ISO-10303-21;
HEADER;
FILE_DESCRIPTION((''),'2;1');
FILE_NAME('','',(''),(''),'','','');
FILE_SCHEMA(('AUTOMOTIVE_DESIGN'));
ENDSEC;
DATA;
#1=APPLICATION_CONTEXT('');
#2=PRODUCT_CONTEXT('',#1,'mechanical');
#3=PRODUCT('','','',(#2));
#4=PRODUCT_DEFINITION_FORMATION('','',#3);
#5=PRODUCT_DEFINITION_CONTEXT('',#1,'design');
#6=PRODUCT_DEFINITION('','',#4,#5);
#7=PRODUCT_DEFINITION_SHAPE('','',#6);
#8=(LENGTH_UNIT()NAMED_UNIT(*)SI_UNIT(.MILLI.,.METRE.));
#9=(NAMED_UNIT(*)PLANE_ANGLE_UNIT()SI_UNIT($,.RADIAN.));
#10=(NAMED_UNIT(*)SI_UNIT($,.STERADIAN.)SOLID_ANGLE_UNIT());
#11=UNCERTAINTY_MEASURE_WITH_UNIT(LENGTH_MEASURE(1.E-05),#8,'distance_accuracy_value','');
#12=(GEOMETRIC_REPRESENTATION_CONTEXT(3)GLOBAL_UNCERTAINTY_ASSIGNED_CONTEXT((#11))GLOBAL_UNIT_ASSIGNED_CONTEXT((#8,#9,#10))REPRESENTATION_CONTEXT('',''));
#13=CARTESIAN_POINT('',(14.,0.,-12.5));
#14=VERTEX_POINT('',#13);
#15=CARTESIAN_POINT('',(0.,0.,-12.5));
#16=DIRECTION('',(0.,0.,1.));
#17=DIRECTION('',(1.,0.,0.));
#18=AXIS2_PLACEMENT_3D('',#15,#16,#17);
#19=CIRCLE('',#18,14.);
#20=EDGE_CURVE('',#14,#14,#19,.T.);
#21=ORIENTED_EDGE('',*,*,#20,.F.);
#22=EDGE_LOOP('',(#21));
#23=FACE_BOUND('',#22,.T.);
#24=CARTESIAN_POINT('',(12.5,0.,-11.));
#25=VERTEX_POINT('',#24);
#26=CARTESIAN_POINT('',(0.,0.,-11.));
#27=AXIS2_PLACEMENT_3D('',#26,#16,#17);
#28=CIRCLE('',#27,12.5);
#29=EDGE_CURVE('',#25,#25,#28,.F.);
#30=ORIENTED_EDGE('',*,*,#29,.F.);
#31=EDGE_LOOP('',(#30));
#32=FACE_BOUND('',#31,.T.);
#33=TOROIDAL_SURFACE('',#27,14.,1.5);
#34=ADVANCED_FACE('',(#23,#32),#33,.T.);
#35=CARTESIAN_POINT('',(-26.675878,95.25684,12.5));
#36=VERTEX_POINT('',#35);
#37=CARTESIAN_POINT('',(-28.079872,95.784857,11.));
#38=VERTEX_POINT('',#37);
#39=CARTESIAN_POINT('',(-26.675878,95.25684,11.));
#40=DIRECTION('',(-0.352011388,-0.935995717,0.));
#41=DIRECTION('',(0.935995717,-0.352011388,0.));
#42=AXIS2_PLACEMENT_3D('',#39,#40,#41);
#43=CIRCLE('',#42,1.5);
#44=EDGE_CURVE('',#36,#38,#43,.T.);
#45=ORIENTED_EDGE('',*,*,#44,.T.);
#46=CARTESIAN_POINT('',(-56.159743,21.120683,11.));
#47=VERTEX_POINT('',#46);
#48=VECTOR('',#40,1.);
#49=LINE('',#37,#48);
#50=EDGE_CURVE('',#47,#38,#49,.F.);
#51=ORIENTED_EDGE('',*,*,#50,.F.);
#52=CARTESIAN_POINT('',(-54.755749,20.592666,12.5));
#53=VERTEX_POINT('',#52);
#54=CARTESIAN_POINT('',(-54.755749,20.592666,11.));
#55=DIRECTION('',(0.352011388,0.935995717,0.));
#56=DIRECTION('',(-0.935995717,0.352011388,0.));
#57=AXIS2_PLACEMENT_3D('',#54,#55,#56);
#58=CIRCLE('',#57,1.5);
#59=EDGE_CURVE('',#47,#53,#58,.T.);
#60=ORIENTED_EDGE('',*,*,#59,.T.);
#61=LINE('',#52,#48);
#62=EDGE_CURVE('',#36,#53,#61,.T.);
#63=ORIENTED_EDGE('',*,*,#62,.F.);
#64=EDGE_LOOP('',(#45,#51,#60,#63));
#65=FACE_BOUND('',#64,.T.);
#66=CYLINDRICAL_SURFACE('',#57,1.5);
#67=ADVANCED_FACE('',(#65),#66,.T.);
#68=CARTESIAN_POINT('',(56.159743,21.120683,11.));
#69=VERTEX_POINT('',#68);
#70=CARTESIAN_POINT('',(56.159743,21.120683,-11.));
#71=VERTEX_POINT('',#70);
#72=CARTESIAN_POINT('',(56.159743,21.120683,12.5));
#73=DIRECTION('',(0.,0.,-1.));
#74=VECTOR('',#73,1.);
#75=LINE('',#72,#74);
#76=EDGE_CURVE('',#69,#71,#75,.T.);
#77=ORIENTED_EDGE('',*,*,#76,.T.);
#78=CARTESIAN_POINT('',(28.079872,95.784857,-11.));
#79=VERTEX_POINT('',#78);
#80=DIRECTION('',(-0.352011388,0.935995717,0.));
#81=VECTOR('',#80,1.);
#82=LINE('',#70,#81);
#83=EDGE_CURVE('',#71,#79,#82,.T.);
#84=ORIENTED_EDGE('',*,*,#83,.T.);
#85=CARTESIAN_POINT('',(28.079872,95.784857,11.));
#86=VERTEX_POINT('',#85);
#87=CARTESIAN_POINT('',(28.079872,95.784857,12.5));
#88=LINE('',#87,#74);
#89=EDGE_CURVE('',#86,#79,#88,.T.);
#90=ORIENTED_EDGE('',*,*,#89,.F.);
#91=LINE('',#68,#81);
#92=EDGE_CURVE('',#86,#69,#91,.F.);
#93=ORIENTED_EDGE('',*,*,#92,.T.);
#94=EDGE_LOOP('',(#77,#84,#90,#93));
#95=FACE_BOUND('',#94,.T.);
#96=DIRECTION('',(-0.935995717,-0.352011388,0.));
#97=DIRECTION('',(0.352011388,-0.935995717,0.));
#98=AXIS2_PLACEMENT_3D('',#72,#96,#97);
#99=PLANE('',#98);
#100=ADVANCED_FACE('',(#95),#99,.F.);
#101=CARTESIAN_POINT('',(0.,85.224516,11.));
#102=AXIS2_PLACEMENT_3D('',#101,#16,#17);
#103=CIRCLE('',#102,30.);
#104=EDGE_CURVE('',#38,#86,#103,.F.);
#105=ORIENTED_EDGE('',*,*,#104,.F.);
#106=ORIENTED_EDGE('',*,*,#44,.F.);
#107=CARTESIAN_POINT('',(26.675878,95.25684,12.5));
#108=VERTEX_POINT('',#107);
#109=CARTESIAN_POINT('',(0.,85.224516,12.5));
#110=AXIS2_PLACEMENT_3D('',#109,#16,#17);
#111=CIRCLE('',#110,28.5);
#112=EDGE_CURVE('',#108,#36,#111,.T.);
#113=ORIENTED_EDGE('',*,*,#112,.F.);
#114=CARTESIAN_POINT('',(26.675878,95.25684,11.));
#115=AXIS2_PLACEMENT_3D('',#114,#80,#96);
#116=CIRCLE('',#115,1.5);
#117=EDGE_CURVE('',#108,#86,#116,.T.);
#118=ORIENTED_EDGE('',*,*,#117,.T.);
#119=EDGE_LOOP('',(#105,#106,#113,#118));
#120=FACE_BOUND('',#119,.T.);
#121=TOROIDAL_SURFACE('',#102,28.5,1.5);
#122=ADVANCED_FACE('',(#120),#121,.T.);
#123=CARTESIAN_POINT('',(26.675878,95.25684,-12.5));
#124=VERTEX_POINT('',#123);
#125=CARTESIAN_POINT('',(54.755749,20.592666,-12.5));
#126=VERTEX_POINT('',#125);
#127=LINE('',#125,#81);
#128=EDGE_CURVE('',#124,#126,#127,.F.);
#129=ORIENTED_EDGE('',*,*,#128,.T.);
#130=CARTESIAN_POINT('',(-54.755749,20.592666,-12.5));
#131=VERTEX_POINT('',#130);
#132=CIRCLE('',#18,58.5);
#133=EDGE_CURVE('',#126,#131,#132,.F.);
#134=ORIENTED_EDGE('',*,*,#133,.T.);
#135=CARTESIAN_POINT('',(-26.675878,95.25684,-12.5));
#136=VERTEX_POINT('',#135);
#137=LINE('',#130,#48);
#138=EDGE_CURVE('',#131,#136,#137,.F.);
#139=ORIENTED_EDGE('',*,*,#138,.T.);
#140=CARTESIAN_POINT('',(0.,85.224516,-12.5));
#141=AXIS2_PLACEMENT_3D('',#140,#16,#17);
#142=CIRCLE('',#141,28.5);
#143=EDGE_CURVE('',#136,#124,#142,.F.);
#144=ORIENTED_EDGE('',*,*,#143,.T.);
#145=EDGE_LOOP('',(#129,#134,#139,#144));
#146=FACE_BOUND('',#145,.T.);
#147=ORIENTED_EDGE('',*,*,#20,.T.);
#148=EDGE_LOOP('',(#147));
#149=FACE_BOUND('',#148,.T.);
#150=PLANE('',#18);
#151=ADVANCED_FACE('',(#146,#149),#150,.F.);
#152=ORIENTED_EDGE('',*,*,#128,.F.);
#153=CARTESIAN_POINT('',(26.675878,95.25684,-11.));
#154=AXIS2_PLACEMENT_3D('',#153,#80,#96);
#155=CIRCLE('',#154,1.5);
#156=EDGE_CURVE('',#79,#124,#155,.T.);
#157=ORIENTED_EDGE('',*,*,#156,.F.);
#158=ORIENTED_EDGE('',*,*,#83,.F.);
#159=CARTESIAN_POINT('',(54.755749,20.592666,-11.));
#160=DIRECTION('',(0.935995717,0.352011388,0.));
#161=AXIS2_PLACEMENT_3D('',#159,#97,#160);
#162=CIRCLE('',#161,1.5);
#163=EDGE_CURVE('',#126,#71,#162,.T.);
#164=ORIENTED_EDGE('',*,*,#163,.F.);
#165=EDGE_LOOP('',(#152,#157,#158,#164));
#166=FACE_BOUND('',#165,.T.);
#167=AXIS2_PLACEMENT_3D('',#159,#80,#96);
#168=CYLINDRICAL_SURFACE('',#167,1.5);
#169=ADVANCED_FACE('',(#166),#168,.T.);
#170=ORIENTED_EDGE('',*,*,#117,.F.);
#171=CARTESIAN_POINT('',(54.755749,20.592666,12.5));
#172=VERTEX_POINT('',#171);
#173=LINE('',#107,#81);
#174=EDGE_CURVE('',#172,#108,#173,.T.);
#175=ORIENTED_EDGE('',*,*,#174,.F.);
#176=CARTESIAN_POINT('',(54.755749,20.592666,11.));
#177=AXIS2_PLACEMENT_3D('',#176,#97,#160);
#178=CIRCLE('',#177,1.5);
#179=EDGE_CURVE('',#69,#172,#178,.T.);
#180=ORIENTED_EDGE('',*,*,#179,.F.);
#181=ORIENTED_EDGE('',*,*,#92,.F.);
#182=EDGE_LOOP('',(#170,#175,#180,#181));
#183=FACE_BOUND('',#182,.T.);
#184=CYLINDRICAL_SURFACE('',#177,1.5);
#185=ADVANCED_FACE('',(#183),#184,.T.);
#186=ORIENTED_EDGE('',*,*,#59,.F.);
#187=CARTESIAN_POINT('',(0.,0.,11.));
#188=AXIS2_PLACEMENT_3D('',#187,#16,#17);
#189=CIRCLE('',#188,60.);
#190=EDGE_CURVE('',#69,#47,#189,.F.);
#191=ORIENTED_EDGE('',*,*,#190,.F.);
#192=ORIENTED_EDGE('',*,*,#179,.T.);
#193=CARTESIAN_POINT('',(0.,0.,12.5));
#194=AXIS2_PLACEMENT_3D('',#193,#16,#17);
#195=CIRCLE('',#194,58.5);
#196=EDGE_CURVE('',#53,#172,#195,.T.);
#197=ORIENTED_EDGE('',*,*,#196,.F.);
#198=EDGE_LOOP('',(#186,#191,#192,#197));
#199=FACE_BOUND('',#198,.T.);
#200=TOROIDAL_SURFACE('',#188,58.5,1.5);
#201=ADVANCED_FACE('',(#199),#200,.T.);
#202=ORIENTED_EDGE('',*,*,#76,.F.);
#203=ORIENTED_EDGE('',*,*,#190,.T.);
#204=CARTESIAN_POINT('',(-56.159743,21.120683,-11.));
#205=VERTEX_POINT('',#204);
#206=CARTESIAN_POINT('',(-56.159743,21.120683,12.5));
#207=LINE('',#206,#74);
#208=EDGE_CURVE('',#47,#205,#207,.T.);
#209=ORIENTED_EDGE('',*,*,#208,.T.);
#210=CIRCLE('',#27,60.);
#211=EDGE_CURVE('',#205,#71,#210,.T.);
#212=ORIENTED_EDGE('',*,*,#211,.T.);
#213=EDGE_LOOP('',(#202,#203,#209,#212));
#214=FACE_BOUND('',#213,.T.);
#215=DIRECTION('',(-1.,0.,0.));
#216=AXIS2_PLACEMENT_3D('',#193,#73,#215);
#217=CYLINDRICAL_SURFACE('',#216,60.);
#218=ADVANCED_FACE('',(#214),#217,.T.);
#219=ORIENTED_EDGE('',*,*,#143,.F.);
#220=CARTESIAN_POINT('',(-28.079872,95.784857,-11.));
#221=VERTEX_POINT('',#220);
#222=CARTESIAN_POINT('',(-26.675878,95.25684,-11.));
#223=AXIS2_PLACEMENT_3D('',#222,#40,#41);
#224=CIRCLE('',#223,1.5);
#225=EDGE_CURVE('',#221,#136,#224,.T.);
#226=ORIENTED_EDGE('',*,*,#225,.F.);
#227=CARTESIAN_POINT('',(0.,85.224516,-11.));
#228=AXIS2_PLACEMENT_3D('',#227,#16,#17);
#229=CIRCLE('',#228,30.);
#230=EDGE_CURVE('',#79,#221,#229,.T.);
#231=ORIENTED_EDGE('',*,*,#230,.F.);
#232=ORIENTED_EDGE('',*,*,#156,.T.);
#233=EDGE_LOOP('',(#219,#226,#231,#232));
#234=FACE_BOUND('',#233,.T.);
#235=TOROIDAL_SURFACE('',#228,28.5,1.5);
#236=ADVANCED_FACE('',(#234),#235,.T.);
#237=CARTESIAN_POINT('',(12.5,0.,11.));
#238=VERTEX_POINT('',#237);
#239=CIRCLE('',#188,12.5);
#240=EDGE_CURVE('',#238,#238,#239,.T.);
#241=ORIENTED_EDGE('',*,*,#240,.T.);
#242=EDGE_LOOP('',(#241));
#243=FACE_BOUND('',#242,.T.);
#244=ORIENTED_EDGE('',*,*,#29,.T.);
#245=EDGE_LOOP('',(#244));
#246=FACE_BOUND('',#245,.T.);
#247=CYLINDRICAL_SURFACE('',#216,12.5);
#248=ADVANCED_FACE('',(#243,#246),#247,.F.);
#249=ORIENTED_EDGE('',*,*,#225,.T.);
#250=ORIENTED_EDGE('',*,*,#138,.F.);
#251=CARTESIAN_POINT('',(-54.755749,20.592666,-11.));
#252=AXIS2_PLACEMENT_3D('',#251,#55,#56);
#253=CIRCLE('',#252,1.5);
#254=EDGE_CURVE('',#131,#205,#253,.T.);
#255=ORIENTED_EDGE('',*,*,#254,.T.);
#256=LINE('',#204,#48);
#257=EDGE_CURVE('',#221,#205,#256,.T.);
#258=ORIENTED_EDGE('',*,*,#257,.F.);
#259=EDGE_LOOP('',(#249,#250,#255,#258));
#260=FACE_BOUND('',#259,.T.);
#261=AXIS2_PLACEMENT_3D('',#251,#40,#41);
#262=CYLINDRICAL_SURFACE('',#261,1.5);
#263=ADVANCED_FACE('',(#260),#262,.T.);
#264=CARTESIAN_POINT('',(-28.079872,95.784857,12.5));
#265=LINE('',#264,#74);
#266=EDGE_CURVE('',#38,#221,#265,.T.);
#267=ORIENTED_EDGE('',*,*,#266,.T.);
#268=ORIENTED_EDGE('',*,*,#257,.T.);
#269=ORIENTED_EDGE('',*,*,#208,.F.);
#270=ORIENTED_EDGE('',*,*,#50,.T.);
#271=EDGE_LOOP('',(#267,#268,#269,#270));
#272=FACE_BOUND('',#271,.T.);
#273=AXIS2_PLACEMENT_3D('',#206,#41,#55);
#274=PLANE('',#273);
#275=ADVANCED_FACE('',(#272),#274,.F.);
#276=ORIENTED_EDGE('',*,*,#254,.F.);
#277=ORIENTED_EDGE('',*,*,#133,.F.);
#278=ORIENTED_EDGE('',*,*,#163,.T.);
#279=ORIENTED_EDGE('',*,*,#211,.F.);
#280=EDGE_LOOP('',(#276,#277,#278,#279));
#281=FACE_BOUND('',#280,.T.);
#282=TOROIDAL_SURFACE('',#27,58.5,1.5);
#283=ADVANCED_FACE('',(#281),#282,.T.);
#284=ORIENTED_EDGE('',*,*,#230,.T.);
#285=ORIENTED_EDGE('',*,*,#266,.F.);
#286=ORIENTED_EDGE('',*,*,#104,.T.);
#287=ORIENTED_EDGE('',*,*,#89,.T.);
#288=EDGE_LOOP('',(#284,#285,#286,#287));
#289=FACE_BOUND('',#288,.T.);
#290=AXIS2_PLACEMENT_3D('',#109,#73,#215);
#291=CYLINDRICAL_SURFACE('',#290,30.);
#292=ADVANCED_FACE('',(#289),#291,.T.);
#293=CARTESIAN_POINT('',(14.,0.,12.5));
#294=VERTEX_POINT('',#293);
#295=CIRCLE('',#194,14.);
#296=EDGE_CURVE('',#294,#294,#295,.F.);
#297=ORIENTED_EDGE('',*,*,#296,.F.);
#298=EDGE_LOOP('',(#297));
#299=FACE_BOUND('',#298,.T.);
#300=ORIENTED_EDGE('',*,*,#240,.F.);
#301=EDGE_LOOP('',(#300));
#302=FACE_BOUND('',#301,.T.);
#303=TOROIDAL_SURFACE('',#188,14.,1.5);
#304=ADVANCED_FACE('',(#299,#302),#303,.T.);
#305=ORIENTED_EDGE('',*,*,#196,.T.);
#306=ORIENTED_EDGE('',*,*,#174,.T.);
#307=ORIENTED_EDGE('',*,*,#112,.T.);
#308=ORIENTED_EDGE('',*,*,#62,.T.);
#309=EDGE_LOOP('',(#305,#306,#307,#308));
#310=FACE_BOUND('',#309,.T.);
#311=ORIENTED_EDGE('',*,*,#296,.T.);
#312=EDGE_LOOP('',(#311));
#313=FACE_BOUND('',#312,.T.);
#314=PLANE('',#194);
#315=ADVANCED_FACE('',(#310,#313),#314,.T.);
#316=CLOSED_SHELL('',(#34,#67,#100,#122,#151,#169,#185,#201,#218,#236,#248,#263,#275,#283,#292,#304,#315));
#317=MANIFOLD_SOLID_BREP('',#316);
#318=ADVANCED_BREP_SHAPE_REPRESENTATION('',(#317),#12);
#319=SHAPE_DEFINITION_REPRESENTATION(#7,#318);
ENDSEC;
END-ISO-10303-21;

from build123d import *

# Parameters (mm, degrees)
SKETCH1_R           = 12.5
BOSS_EXTRUDE1_DEPTH = 12.5
FILLET1_R           = 1.5
FILLET2_R           = 1.5


with BuildPart() as part:
    # Sketch1 → Boss-Extrude1 (new, symmetric)
    with BuildSketch(Plane.XY):
        with BuildLine():
            Line((-56.159743046, 21.120683252), (-28.079871523, 95.784857261))
            ThreePointArc((-28.079871523, 95.784857261), (0, 115.224515635), (28.079871523, 95.784857261))
            Line((28.079871523, 95.784857261), (56.159743046, 21.120683252))
            ThreePointArc((56.159743046, 21.120683252), (0, -60), (-56.159743046, 21.120683252))
        make_face()
        Circle(SKETCH1_R, mode=Mode.SUBTRACT)
    extrude(amount=BOSS_EXTRUDE1_DEPTH, both=True)

    # Fillet1
    fillet1_edges = [part.edges().sort_by_distance(p)[0] for p in [
        (0, 115.224515635, 12.5),
        (-42.119807284, 58.452770256, 12.5),
        (0, -60, 12.5),
        (-42.119807284, 58.452770256, -12.5),
        (0, 115.224515635, -12.5),
        (42.119807284, 58.452770256, -12.5),
        (0, -60, -12.5),
        (42.119807284, 58.452770256, 12.5),
    ]]
    fillet(fillet1_edges, radius=FILLET1_R)

    # Fillet2
    fillet2_edges = [part.edges().sort_by_distance(p)[0] for p in [
        (-12.5, 0, -12.5),
        (-12.5, 0, 12.5),
    ]]
    fillet(fillet2_edges, radius=FILLET2_R)


solid = part.part
